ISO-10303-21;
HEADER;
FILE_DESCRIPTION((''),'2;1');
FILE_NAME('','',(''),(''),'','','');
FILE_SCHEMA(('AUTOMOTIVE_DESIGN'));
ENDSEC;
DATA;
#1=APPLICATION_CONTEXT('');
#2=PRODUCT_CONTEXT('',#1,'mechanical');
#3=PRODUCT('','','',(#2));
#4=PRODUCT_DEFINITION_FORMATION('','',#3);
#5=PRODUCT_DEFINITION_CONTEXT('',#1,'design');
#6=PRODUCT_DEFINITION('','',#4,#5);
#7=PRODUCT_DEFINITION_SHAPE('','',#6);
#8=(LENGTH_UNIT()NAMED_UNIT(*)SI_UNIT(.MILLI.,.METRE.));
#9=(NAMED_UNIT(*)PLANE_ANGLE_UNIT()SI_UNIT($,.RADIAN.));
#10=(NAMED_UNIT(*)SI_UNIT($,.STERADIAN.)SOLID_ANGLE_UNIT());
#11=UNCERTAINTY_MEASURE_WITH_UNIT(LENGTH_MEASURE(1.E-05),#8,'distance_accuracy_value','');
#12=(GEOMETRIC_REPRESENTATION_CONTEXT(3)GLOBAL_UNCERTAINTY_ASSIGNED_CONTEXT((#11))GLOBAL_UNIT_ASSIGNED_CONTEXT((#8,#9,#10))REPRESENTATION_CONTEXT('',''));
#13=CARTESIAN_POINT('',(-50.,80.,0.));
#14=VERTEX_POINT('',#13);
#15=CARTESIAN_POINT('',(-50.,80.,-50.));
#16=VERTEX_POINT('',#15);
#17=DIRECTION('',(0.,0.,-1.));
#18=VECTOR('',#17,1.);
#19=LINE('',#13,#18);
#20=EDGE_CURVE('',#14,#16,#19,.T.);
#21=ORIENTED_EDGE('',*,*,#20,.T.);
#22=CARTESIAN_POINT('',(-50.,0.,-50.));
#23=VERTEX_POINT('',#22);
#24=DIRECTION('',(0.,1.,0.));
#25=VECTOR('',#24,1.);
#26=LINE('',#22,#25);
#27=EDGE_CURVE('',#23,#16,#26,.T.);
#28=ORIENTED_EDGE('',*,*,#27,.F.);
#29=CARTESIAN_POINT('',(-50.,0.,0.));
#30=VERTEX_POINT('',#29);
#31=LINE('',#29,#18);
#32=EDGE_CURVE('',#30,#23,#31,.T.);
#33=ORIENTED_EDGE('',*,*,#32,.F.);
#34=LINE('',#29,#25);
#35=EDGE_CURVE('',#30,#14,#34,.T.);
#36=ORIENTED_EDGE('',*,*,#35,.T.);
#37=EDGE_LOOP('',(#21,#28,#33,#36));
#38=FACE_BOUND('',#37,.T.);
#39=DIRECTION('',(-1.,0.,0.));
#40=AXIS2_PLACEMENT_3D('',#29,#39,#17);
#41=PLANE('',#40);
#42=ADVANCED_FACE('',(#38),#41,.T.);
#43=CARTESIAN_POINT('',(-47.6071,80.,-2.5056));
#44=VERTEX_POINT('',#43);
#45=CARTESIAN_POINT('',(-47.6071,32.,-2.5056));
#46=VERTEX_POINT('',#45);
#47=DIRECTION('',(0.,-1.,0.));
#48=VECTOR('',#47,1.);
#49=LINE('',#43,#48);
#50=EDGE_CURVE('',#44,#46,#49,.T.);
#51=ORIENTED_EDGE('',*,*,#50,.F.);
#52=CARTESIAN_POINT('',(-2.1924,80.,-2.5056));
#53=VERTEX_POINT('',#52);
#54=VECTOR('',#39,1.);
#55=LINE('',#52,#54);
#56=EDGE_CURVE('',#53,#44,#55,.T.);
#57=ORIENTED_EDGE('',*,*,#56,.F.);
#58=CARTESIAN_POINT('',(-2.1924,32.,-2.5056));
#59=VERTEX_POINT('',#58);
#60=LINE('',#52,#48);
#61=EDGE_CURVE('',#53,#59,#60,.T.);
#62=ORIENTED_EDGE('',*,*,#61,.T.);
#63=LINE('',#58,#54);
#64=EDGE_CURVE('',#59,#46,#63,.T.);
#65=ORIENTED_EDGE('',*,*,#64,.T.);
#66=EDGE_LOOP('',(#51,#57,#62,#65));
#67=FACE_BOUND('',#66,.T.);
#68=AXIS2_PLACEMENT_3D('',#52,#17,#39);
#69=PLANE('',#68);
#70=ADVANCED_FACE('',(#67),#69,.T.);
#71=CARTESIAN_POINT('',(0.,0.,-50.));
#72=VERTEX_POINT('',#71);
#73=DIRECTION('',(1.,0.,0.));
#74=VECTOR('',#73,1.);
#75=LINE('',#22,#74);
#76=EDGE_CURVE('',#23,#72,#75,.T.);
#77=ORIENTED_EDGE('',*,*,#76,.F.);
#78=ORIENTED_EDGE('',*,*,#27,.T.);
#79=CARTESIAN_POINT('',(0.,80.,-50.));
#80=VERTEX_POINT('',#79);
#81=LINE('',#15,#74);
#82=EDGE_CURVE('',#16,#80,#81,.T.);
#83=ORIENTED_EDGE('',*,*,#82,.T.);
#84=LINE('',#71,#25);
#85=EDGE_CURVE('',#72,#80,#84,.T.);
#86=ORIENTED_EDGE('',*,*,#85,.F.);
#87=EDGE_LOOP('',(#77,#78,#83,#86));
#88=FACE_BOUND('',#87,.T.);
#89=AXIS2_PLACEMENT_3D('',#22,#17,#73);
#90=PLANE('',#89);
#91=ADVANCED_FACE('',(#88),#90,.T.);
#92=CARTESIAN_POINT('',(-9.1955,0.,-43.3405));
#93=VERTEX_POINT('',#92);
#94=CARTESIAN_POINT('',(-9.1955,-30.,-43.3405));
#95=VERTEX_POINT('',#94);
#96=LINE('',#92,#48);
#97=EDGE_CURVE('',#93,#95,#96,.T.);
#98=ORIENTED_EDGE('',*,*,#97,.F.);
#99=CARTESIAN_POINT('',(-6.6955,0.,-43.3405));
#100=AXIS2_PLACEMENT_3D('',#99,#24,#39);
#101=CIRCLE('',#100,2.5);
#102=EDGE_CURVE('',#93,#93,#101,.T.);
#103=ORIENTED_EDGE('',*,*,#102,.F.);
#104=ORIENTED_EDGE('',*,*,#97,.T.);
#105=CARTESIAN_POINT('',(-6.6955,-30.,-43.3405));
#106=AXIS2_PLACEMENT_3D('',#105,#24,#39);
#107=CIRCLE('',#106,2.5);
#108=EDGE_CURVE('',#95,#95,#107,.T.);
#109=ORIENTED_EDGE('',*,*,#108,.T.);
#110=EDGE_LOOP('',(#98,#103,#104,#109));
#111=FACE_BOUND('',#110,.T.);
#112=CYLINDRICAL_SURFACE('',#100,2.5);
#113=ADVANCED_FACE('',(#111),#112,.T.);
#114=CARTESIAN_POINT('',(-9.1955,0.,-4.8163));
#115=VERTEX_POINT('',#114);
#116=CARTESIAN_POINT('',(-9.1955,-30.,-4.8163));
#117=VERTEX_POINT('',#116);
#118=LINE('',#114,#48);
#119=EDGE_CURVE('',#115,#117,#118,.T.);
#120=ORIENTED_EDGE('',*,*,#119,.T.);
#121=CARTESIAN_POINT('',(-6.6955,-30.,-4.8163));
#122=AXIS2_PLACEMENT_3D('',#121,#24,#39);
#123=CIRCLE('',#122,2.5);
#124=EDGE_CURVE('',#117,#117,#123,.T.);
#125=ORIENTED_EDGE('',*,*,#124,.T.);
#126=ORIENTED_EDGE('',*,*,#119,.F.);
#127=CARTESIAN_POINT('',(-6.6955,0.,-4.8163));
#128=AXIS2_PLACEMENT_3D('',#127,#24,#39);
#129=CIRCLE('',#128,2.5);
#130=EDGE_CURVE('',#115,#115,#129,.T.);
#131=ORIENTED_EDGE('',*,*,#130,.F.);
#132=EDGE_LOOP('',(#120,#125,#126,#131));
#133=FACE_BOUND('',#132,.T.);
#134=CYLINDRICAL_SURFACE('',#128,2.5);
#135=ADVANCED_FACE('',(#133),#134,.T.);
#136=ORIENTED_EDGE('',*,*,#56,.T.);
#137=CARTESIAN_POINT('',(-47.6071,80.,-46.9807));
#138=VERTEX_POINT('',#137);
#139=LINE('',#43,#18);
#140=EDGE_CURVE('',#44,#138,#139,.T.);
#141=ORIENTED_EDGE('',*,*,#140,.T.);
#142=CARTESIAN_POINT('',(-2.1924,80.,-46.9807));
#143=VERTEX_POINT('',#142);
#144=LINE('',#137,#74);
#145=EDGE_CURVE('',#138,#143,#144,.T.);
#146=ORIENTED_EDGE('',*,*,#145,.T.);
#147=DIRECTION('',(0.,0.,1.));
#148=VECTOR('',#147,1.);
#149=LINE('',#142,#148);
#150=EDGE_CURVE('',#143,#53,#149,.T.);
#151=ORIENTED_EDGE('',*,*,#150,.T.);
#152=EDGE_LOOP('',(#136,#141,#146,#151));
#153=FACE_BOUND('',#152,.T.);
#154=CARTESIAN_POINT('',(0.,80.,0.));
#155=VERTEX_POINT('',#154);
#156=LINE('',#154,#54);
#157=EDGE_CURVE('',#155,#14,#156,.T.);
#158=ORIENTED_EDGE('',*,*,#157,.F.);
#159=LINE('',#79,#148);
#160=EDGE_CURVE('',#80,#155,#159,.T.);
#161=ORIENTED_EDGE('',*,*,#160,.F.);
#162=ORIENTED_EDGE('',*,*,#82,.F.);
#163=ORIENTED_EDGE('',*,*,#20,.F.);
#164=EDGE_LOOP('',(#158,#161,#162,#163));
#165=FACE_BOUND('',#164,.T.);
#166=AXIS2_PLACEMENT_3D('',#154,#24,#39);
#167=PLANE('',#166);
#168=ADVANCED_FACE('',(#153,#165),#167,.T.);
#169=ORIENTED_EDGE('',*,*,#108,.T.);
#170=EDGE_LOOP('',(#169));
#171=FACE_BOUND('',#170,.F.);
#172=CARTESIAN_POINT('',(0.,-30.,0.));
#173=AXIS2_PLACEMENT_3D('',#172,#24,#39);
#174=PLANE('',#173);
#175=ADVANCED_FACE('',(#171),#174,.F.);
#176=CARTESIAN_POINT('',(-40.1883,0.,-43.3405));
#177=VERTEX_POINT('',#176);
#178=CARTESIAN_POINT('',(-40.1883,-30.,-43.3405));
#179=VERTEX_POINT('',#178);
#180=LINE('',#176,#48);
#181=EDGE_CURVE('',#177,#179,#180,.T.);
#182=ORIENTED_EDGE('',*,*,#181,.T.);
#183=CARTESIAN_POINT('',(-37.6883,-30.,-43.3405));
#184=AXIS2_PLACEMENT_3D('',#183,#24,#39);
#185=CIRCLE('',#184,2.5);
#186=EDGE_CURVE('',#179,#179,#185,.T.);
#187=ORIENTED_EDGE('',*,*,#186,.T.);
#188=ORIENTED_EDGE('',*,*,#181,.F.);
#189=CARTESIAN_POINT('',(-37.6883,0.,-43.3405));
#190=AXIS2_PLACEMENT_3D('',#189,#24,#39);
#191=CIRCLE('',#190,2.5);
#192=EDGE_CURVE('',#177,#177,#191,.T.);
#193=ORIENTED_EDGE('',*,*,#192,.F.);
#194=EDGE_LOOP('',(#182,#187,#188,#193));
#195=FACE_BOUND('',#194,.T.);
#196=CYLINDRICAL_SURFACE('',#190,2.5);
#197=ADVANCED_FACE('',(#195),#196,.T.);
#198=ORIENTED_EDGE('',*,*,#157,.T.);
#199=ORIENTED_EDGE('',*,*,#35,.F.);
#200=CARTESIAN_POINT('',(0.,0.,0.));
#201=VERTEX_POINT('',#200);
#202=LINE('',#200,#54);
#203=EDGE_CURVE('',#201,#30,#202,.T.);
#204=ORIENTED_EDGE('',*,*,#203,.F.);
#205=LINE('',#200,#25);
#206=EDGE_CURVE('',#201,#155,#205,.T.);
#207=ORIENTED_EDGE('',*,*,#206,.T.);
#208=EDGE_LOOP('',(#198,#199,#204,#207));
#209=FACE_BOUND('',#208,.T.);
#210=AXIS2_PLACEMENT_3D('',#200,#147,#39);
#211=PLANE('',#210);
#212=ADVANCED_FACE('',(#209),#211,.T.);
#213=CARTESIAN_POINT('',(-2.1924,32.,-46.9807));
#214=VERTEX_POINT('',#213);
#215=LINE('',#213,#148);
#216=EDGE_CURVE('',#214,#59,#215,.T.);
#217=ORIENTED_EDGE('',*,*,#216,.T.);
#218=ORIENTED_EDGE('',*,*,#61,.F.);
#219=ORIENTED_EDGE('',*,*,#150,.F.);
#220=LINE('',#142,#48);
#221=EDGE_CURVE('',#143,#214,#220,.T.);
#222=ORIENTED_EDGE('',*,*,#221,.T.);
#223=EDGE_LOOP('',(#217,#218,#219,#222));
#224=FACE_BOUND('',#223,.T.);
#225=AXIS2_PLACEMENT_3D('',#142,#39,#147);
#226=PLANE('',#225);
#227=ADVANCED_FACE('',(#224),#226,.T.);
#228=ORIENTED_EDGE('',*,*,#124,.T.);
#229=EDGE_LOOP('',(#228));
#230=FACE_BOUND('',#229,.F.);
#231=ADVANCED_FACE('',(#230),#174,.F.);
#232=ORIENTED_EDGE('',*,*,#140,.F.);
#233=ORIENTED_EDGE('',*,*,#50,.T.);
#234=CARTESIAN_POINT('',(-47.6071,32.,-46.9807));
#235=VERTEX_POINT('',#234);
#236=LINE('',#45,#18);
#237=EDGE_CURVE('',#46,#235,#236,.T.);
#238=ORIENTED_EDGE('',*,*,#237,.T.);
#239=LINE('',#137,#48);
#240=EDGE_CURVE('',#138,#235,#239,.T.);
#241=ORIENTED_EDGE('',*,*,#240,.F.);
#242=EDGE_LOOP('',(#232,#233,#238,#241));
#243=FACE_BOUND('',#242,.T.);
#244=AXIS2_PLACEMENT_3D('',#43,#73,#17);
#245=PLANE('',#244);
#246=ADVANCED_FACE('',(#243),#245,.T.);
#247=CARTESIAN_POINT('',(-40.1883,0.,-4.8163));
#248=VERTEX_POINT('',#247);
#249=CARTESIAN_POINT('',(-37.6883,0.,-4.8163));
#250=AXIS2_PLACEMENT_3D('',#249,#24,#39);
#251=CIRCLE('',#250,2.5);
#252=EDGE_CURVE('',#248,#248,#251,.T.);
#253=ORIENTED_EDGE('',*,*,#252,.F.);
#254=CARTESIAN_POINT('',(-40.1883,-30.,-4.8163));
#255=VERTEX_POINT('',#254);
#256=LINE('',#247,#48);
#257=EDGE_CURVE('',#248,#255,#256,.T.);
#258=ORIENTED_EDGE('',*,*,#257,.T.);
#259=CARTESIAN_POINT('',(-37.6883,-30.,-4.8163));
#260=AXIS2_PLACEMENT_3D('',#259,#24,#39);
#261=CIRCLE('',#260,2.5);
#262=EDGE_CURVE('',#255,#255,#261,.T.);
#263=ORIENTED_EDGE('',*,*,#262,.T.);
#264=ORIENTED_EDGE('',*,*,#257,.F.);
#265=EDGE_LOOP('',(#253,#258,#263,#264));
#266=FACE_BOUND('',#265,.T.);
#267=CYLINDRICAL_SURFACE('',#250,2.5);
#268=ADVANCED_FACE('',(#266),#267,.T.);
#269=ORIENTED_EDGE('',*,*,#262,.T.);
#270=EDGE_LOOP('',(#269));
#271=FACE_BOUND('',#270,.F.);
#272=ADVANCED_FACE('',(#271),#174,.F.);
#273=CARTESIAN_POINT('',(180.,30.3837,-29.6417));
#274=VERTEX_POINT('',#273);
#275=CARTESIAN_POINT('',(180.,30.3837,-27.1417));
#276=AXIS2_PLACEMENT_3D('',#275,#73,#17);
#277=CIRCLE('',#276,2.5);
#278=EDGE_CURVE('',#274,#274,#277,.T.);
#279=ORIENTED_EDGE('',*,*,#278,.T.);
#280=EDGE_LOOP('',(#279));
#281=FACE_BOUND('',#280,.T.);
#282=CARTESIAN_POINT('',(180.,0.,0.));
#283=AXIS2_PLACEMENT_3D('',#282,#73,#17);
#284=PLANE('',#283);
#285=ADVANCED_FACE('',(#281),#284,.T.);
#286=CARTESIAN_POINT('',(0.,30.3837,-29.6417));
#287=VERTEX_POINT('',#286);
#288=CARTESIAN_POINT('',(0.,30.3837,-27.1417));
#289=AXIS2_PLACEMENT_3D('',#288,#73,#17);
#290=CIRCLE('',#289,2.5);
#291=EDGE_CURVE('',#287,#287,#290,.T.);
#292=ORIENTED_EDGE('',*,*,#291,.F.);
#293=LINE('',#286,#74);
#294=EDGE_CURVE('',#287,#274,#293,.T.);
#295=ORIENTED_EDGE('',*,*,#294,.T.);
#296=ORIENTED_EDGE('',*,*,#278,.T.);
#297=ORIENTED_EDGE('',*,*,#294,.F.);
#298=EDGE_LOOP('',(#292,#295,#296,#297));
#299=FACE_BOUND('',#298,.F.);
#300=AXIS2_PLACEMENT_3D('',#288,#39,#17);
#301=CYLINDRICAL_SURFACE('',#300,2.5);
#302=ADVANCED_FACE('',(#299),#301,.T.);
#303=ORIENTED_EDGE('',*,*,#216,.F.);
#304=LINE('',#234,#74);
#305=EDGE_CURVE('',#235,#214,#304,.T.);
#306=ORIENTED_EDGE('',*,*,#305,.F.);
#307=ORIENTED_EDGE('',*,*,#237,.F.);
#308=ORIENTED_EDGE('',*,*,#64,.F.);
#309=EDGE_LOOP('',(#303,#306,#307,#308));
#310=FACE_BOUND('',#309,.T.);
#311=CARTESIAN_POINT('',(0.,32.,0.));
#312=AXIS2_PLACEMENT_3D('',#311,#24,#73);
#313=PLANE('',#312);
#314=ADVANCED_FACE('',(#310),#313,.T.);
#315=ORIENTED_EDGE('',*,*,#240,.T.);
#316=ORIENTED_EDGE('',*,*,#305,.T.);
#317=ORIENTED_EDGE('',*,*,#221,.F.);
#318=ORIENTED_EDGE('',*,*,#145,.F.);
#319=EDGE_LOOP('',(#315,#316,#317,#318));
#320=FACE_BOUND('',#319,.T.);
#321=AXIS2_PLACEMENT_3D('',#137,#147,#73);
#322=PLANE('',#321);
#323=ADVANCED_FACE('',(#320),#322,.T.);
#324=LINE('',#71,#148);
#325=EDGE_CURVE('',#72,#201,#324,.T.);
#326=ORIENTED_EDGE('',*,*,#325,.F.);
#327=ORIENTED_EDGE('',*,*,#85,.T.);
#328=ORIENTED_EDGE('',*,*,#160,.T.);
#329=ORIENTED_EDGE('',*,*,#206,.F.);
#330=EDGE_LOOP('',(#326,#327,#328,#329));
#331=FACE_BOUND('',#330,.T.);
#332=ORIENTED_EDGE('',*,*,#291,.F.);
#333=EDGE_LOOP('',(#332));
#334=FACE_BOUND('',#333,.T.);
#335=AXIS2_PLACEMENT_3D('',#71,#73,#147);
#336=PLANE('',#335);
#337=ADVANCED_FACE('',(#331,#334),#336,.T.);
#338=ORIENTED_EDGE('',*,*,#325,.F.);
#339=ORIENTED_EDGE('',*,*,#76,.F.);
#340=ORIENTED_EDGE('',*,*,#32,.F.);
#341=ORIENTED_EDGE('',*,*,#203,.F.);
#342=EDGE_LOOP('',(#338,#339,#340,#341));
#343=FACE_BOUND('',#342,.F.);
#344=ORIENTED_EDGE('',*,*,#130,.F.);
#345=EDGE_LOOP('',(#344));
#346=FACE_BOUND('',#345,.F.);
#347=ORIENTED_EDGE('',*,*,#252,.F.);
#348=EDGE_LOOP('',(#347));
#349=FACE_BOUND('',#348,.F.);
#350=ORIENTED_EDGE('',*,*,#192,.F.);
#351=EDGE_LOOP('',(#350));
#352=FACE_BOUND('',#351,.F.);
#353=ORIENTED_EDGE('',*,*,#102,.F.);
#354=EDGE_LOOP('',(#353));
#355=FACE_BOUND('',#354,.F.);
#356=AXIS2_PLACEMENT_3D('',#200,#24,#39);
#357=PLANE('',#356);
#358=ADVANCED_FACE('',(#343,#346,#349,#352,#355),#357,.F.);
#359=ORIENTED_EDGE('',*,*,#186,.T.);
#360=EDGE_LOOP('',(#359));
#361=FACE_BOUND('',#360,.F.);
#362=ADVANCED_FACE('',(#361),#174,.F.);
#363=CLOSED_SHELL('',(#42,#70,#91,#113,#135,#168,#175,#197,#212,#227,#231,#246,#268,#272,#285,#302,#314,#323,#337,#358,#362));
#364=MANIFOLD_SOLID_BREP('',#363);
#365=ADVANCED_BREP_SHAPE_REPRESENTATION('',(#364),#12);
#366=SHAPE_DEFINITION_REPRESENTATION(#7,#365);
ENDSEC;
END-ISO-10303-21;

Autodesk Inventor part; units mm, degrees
ref_plane "YZ Plane" through (0, 0, 0) normal (1, 0, 0) x (0, 1, 0)
ref_plane "XZ Plane" through (0, 0, 0) normal (0, 1, 0) x (-1, 0, 0)
ref_plane "XY Plane" through (0, 0, 0) normal (0, 0, 1) x (1, 0, 0)
sketch "Sketch1" plane through (0, 0, 0) normal (0, 1, 0) x (-1, 0, 0)
  line L0 (0, 0) -> (50, 0)
  line L1 (50, 0) -> (50, -50)
  line L2 (50, -50) -> (0, -50)
  line L3 (0, -50) -> (0, 0)
  circle A0 centre (37.6883, -4.8163) radius 2.5
  circle A1 centre (37.6883, -43.3405) radius 2.5
  circle A2 centre (6.6955, -43.3405) radius 2.5
  circle A3 centre (6.6955, -4.8163) radius 2.5
  dimension "d0" = 50
  dimension "d1" = 50
  dimension "d6" = 5
  dimension "d9" = 5
  dimension "d10" = 5
  dimension "d11" = 5
  dimension "d20" = 25.9928
  dimension "d21" = 38.5242
extrude "Extrusion1" add sketch "Sketch1" along normal blind 80 contours L0 L1 L2 L3 | A0 | A1 | A2 | A3
sketch "Sketch2" plane through (0, 80, 0) normal (0, 1, 0) x (1, 0, 0)
  line L0 (-47.6071, 46.9807) -> (-2.1924, 46.9807)
  line L1 (-2.1924, 46.9807) -> (-2.1924, 2.5056)
  line L2 (-2.1924, 2.5056) -> (-47.6071, 2.5056)
  line L3 (-47.6071, 2.5056) -> (-47.6071, 46.9807)
  point P0 (0, 0)
extrude "Extrusion2" cut sketch "Sketch2" against normal blind 48
extrude "Extrusion3" add sketch "Sketch1" against normal blind 30 contours A0 | A1 | A2 | A3
sketch "Sketch6" plane through (0, 0, 0) normal (1, 0, 0) x (0, 0, -1)
  circle A0 centre (27.1417, 30.3837) radius 2.5
  point P0 (0, 0)
  dimension "d22" = 5
extrude "Extrusion6" add sketch "Sketch6" along normal blind 180
properties part number "Water tank"
